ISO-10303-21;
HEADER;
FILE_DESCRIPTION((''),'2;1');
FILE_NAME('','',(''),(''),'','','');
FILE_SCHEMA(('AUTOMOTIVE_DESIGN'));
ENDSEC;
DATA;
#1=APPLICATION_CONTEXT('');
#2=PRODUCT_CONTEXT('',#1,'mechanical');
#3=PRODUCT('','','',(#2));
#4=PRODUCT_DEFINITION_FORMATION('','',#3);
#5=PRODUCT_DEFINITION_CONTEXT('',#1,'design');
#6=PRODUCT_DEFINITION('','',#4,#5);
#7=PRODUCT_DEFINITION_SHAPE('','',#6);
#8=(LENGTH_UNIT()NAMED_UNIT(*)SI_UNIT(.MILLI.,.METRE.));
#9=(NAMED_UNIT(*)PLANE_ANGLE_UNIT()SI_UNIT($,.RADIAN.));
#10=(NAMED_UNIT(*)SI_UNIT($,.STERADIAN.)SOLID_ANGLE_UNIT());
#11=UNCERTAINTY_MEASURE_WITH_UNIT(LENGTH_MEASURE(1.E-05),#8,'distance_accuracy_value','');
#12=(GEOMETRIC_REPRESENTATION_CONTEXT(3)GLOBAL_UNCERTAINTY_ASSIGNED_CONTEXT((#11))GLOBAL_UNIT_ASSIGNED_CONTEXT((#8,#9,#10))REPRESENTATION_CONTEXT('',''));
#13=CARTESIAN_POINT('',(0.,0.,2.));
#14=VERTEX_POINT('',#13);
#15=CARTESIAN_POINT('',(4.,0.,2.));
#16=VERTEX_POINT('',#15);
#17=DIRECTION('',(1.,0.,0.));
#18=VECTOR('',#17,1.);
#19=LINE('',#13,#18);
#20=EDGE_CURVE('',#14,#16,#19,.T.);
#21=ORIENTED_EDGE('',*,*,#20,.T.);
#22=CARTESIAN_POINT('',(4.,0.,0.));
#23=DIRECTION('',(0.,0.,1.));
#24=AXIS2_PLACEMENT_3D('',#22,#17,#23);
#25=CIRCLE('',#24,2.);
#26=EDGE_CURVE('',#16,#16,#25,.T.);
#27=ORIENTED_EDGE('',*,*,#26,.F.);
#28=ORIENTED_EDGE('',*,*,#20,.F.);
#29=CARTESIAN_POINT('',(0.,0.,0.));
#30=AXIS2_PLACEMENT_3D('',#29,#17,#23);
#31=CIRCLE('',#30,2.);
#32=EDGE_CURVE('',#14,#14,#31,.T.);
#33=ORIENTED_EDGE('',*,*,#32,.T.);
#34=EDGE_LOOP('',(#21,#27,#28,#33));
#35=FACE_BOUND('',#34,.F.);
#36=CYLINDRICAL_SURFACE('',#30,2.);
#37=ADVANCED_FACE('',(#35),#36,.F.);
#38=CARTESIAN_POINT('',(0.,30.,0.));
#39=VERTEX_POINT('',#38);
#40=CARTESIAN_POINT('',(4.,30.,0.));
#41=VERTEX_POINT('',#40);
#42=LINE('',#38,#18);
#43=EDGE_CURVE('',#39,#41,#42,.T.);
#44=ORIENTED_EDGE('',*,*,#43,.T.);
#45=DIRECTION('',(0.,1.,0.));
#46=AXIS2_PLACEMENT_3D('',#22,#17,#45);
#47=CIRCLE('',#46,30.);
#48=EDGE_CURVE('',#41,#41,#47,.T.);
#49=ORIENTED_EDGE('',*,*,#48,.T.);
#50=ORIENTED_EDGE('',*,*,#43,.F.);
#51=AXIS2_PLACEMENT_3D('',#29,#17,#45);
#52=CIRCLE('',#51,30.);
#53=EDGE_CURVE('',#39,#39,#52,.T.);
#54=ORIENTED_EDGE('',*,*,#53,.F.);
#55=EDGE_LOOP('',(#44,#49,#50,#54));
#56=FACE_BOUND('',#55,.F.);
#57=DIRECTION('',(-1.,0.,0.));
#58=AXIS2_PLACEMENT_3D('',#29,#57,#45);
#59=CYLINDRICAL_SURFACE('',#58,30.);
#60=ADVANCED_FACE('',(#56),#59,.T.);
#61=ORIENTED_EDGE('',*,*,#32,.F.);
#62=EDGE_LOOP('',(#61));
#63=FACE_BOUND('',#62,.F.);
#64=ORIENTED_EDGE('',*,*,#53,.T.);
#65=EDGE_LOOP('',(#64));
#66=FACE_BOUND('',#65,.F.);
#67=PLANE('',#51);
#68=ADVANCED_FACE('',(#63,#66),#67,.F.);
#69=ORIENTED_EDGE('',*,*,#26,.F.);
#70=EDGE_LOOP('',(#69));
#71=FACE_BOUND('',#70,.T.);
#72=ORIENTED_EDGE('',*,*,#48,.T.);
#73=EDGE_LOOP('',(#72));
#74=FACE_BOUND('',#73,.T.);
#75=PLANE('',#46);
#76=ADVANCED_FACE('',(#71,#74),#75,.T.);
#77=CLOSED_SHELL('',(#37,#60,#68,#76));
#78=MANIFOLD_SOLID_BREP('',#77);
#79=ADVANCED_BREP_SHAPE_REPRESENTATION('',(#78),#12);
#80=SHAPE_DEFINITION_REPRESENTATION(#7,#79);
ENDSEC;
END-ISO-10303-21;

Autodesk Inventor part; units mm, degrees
ref_plane "YZ Plane" through (0, 0, 0) normal (1, 0, 0) x (0, 1, 0)
ref_plane "XZ Plane" through (0, 0, 0) normal (0, 1, 0) x (-1, 0, 0)
ref_plane "XY Plane" through (0, 0, 0) normal (0, 0, 1) x (1, 0, 0)
sketch "Sketch1" plane through (0, 0, 0) normal (1, 0, 0) x (0, 1, 0)
  circle A0 centre (0, 0) radius 30
  dimension "d228" = 60
extrude "Extrusion1" add sketch "Sketch1" along normal blind 4
hole "Hole1" at (0, 0, 0) direction (1, 0, 0) diameter 4 end through all
properties part number "Langbektang houder"
